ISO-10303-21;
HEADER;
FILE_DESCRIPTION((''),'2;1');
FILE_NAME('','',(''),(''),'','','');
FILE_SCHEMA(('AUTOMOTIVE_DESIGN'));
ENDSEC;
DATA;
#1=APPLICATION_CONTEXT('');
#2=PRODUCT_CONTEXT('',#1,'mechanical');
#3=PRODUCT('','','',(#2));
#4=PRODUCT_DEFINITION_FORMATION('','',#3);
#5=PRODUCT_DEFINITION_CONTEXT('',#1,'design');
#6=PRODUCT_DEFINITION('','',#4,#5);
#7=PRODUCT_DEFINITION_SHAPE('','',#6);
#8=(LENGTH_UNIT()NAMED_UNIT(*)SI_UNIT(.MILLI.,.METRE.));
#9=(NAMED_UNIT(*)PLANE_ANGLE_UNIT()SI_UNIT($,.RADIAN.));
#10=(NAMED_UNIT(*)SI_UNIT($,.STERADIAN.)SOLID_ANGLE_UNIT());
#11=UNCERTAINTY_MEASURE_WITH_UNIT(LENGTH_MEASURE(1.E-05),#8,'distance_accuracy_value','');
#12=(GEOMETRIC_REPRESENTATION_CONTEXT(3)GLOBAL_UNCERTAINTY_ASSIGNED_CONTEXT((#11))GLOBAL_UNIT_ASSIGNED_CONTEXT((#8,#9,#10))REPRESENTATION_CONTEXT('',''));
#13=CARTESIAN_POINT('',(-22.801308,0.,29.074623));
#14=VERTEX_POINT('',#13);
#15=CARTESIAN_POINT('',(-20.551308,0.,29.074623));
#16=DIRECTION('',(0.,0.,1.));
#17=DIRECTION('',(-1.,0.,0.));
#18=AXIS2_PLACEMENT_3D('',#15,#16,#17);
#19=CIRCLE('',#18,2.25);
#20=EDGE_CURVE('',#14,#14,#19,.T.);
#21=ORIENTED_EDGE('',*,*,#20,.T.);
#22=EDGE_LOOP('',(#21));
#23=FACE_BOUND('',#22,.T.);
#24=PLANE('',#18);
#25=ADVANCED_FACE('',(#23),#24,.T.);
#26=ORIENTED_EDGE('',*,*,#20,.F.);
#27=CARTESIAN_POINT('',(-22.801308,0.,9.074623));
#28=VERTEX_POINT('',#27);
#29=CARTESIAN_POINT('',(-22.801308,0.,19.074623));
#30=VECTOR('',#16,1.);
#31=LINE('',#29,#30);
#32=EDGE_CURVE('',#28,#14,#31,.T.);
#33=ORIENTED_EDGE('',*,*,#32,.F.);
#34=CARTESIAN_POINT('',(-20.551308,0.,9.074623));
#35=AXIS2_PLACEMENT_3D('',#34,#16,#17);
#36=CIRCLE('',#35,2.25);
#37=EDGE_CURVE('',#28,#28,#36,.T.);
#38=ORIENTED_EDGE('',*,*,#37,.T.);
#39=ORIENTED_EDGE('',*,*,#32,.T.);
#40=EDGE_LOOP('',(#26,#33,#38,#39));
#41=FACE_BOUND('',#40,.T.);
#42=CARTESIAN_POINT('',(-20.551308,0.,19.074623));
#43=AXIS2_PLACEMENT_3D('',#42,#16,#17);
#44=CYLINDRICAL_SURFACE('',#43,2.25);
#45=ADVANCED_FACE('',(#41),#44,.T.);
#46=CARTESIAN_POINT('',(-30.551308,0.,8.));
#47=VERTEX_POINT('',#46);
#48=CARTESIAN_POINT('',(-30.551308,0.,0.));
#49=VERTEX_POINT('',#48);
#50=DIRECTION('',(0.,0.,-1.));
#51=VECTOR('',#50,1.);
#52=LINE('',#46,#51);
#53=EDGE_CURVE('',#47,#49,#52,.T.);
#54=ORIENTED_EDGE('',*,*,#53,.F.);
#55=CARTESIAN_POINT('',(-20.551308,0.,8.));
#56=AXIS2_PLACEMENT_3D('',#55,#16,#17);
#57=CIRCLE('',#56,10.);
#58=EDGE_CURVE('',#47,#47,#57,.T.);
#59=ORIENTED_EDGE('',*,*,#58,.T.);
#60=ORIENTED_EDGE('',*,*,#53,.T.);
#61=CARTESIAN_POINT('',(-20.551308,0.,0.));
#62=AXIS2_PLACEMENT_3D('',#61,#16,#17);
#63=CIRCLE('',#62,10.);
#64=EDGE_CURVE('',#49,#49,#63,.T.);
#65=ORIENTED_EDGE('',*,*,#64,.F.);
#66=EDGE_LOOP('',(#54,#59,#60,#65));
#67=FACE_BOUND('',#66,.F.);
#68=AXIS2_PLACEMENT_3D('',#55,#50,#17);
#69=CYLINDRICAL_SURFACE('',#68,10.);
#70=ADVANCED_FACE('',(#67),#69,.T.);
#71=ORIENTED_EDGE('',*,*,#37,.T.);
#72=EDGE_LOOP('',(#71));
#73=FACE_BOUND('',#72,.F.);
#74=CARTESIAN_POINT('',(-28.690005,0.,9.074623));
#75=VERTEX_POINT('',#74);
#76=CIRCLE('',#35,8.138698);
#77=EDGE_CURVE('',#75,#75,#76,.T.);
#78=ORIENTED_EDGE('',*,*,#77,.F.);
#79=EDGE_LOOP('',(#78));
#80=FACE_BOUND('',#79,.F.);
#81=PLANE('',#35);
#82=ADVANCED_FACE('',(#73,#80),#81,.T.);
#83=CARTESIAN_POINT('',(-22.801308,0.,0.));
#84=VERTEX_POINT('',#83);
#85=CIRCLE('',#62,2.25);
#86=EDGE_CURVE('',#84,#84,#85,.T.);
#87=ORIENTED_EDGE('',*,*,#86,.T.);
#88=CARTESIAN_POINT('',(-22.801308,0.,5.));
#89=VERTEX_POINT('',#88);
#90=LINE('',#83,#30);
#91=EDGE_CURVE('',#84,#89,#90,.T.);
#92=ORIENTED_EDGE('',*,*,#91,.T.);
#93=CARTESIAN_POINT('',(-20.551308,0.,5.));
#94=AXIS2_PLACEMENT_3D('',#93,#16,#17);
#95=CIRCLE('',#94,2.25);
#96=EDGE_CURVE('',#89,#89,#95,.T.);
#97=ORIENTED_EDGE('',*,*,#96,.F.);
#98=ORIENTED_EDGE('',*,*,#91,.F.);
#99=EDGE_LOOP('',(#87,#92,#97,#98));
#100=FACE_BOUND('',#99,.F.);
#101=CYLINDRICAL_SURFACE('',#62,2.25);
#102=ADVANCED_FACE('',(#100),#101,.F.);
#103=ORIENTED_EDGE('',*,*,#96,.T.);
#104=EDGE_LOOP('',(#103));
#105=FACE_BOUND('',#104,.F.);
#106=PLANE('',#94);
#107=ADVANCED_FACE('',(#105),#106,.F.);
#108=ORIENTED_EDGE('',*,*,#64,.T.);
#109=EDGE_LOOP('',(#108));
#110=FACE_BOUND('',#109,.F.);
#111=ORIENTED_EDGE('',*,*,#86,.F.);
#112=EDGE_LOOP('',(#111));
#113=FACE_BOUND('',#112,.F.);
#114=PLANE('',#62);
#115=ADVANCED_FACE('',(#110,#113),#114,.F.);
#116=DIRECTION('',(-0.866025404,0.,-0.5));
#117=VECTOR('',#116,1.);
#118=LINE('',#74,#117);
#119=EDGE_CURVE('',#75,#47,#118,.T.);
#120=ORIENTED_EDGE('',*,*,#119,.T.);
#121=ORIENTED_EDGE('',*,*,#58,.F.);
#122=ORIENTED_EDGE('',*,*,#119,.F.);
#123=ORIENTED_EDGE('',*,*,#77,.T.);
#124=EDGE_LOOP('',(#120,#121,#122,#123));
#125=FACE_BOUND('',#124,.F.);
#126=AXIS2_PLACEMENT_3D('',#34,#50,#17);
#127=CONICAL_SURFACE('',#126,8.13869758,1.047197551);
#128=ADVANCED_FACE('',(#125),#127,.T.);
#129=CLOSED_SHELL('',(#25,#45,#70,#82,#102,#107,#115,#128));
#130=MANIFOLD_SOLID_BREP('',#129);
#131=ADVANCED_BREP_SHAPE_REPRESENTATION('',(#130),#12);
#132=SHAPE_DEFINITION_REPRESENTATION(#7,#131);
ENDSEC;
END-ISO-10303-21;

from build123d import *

# Parameters (mm, degrees)
F0_W   = 2.25
F0_H   = 20
F0_H_2 = 3
F0_H_3 = 1.0746234533


with BuildPart() as f1:
    # F0 (on Front) → F1 (revolve)
    with BuildSketch(Plane.XZ):
        with Locations((-21.6763077103, 19.0746234533)):
            Rectangle(F0_W, F0_H)
        Polygon((-22.8013077103, 8), (-30.5513077103, 8), (-30.5513077103, 0), (-22.8013077103, 0), (-22.8013077103, 5), align=None)
        Polygon((-28.6900052902, 9.0746234533), (-30.5513077103, 8), (-22.8013077103, 8), (-22.8013077103, 9.0746234533), align=None)
        with Locations((-21.6763077103, 6.5)):
            Rectangle(F0_W, F0_H_2)
        with Locations((-21.6763077103, 8.5373117267)):
            Rectangle(F0_W, F0_H_3)
    revolve(axis=Axis((-20.5513077103, 0, 19.0746234533), (0, 0, 1)))


solid = f1.part
